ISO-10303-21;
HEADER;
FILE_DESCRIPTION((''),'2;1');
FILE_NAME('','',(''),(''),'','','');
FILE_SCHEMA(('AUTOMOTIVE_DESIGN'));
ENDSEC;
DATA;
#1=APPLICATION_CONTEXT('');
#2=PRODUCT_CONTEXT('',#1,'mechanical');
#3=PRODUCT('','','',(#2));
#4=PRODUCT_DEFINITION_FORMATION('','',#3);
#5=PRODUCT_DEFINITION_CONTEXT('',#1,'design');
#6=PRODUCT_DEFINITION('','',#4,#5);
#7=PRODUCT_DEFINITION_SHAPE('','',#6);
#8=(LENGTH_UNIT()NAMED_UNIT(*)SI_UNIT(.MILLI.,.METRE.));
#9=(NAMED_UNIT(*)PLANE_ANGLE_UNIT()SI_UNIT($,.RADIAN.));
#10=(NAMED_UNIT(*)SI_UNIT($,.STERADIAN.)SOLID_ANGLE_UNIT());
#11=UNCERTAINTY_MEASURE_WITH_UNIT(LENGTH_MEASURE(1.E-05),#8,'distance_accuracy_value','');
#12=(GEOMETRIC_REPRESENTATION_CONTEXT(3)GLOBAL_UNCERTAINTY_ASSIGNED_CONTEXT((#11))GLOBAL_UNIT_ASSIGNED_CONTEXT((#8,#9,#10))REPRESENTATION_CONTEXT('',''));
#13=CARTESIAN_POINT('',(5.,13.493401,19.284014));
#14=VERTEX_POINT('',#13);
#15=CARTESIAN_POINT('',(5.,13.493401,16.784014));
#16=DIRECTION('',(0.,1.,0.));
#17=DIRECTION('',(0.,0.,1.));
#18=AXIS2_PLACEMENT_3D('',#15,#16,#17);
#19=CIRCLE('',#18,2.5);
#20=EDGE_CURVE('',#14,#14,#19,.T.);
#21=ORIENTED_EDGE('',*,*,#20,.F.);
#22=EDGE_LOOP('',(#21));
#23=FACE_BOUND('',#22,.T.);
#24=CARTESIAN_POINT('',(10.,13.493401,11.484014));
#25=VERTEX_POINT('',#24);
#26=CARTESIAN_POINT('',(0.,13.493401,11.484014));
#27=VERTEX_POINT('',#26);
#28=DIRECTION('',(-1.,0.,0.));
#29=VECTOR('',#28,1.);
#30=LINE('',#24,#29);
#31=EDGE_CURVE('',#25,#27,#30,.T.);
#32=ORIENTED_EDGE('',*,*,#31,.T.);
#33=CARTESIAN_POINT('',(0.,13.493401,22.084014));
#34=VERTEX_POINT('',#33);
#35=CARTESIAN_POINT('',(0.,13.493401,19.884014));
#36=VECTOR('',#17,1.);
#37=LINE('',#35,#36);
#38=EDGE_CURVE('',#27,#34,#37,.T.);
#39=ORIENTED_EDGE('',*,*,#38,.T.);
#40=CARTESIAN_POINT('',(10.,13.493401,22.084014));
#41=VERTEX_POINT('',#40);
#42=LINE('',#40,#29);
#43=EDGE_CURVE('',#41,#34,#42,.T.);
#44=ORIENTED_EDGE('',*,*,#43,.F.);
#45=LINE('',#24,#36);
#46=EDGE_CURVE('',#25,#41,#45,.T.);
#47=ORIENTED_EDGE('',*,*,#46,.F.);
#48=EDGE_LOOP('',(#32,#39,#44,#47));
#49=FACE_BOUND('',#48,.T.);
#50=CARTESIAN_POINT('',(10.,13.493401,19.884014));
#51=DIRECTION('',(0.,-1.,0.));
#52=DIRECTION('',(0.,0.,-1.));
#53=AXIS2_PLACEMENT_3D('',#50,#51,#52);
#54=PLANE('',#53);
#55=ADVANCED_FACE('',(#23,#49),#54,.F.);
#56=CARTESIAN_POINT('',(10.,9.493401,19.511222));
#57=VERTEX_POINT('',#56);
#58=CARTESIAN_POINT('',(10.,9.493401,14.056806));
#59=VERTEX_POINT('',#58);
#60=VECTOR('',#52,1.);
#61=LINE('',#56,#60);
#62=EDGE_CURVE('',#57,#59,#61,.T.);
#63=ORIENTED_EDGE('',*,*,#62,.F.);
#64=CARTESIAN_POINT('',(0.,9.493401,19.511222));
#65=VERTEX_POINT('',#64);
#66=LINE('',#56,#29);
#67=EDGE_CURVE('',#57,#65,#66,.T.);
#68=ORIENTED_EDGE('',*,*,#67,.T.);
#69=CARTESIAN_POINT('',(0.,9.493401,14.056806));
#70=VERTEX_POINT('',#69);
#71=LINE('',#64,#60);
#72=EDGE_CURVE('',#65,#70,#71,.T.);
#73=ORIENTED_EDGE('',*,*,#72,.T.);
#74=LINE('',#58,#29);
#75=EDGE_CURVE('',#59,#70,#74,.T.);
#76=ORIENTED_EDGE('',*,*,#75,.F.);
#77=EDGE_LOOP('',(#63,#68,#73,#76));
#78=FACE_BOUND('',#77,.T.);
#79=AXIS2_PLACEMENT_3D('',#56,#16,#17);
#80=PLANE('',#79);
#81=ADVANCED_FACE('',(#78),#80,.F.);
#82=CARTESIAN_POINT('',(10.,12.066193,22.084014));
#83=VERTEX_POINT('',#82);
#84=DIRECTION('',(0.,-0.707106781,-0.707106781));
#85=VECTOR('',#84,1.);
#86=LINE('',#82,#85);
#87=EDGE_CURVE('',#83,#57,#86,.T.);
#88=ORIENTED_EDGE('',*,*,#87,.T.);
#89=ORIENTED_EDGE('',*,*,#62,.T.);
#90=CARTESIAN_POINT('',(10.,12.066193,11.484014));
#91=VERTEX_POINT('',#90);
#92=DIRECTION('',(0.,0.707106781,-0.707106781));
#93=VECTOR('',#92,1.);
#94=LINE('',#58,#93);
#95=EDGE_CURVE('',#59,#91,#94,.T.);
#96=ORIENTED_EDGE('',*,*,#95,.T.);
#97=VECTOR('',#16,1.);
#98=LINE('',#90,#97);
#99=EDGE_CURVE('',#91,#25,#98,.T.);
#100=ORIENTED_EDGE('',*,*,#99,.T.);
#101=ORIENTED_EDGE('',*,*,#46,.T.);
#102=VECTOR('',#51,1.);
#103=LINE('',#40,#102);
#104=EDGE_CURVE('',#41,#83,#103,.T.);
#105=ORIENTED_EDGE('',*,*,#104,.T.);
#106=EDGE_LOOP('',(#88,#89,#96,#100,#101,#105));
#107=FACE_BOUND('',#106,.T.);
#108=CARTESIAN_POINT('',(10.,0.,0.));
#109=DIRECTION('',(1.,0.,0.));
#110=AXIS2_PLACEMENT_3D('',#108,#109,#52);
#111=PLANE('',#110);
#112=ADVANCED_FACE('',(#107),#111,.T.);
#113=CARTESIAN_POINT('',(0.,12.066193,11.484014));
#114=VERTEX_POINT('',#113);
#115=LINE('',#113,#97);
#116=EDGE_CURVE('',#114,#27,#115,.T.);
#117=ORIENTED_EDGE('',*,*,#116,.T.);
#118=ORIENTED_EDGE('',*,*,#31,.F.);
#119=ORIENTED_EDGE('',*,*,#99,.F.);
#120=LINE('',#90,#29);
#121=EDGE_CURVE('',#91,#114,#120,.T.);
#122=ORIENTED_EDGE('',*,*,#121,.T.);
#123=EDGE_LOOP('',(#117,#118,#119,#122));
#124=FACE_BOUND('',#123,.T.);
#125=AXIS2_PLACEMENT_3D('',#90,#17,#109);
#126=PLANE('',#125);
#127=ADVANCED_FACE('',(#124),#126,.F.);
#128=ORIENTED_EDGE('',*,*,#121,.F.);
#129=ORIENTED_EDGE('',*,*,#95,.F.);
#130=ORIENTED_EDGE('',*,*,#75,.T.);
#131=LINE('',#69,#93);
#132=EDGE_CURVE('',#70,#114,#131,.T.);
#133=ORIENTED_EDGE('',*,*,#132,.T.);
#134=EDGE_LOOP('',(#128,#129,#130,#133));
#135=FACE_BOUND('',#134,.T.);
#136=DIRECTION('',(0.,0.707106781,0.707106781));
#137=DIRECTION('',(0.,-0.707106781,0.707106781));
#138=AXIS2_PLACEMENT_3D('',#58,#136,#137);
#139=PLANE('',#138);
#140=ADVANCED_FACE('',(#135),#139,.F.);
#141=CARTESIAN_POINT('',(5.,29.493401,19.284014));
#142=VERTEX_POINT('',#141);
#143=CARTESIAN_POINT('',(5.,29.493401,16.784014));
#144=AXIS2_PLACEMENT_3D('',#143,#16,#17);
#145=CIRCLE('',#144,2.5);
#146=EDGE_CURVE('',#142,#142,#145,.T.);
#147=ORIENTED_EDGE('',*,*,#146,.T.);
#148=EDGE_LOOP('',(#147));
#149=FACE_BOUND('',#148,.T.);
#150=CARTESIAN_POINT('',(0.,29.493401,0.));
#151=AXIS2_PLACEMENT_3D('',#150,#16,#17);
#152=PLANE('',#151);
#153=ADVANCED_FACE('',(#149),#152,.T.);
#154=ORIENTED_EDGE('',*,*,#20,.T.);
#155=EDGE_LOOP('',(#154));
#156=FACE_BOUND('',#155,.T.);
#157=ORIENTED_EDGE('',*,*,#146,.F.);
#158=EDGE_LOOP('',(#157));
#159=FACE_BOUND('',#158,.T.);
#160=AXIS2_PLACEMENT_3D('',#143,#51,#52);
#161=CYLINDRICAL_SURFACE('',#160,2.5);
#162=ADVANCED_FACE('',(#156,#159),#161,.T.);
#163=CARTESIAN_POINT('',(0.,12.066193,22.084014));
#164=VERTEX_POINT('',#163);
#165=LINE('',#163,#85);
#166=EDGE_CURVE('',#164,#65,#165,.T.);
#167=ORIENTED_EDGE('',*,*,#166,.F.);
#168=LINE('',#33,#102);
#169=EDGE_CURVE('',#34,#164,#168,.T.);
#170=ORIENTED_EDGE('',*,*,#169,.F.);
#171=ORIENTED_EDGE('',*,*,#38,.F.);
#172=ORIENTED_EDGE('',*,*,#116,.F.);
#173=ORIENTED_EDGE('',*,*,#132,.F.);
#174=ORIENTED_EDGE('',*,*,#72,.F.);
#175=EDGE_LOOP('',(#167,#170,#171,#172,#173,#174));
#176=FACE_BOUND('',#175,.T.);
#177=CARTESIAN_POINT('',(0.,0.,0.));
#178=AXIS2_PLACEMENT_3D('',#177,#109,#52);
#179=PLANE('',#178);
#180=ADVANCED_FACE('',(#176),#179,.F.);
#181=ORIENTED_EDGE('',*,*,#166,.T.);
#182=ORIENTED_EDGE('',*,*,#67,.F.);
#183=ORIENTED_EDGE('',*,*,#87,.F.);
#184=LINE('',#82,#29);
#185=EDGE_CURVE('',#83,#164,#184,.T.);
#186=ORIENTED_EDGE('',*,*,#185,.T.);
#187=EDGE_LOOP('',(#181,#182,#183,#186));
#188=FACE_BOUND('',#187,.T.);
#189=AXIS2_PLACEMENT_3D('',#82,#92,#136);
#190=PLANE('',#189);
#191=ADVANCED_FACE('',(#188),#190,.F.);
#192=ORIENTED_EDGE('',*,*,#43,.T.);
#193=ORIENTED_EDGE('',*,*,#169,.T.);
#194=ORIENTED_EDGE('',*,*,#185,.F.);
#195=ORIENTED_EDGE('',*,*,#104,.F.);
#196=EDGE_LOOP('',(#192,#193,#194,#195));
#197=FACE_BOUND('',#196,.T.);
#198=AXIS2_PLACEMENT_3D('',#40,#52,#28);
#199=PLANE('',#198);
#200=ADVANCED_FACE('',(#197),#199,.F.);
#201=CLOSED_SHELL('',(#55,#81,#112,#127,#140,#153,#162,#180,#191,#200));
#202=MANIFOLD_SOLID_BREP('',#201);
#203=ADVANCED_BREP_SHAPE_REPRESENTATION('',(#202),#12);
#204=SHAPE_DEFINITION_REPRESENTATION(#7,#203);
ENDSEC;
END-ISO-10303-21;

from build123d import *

# Parameters (mm, degrees)
BOSS_EXTRUDE1_DEPTH = 10
BOSS_EXTRUDE2_DEPTH = 16


with BuildPart() as part:
    # Sketch1 → Boss-Extrude1 (new body)
    with BuildSketch(Plane(origin=(0, 0, 0), x_dir=(0, 0, -1), z_dir=(1, 0, 0))):
        Polygon((-19.511221689, 9.49340082), (-14.056806101, 9.49340082), (-11.484013895, 12.066193026), (-11.484013895, 13.49340082), (-13.684013895, 13.49340082), (-19.884013895, 13.49340082), (-22.084013895, 13.49340082), (-22.084013895, 12.066193026), align=None)
    extrude(amount=BOSS_EXTRUDE1_DEPTH)

    # Sketch2 → Boss-Extrude2 (add)
    with BuildSketch(Plane(origin=(0, 13.49340082, 0), x_dir=(1, 0, 0), z_dir=(0, 1, 0))):
        with BuildLine():
            ThreePointArc((7.5, -16.784013895), (6.767766953, -15.016246942), (5, -14.284013895))
            Line((5, -14.284013895), (5, -16.784013895))
            Line((5, -16.784013895), (7.5, -16.784013895))
        make_face()
        with BuildLine():
            Line((5, -16.784013895), (5, -14.284013895))
            ThreePointArc((5, -14.284013895), (3.232233047, -15.016246942), (2.5, -16.784013895))
            Line((2.5, -16.784013895), (5, -16.784013895))
        make_face()
        with BuildLine():
            Line((7.5, -16.784013895), (5, -16.784013895))
            Line((5, -16.784013895), (5, -19.284013895))
            ThreePointArc((5, -19.284013895), (6.767766953, -18.551780848), (7.5, -16.784013895))
        make_face()
        with BuildLine():
            Line((5, -19.284013895), (5, -16.784013895))
            Line((5, -16.784013895), (2.5, -16.784013895))
            ThreePointArc((2.5, -16.784013895), (3.232233047, -18.551780848), (5, -19.284013895))
        make_face()
    extrude(amount=BOSS_EXTRUDE2_DEPTH)


solid = part.part
